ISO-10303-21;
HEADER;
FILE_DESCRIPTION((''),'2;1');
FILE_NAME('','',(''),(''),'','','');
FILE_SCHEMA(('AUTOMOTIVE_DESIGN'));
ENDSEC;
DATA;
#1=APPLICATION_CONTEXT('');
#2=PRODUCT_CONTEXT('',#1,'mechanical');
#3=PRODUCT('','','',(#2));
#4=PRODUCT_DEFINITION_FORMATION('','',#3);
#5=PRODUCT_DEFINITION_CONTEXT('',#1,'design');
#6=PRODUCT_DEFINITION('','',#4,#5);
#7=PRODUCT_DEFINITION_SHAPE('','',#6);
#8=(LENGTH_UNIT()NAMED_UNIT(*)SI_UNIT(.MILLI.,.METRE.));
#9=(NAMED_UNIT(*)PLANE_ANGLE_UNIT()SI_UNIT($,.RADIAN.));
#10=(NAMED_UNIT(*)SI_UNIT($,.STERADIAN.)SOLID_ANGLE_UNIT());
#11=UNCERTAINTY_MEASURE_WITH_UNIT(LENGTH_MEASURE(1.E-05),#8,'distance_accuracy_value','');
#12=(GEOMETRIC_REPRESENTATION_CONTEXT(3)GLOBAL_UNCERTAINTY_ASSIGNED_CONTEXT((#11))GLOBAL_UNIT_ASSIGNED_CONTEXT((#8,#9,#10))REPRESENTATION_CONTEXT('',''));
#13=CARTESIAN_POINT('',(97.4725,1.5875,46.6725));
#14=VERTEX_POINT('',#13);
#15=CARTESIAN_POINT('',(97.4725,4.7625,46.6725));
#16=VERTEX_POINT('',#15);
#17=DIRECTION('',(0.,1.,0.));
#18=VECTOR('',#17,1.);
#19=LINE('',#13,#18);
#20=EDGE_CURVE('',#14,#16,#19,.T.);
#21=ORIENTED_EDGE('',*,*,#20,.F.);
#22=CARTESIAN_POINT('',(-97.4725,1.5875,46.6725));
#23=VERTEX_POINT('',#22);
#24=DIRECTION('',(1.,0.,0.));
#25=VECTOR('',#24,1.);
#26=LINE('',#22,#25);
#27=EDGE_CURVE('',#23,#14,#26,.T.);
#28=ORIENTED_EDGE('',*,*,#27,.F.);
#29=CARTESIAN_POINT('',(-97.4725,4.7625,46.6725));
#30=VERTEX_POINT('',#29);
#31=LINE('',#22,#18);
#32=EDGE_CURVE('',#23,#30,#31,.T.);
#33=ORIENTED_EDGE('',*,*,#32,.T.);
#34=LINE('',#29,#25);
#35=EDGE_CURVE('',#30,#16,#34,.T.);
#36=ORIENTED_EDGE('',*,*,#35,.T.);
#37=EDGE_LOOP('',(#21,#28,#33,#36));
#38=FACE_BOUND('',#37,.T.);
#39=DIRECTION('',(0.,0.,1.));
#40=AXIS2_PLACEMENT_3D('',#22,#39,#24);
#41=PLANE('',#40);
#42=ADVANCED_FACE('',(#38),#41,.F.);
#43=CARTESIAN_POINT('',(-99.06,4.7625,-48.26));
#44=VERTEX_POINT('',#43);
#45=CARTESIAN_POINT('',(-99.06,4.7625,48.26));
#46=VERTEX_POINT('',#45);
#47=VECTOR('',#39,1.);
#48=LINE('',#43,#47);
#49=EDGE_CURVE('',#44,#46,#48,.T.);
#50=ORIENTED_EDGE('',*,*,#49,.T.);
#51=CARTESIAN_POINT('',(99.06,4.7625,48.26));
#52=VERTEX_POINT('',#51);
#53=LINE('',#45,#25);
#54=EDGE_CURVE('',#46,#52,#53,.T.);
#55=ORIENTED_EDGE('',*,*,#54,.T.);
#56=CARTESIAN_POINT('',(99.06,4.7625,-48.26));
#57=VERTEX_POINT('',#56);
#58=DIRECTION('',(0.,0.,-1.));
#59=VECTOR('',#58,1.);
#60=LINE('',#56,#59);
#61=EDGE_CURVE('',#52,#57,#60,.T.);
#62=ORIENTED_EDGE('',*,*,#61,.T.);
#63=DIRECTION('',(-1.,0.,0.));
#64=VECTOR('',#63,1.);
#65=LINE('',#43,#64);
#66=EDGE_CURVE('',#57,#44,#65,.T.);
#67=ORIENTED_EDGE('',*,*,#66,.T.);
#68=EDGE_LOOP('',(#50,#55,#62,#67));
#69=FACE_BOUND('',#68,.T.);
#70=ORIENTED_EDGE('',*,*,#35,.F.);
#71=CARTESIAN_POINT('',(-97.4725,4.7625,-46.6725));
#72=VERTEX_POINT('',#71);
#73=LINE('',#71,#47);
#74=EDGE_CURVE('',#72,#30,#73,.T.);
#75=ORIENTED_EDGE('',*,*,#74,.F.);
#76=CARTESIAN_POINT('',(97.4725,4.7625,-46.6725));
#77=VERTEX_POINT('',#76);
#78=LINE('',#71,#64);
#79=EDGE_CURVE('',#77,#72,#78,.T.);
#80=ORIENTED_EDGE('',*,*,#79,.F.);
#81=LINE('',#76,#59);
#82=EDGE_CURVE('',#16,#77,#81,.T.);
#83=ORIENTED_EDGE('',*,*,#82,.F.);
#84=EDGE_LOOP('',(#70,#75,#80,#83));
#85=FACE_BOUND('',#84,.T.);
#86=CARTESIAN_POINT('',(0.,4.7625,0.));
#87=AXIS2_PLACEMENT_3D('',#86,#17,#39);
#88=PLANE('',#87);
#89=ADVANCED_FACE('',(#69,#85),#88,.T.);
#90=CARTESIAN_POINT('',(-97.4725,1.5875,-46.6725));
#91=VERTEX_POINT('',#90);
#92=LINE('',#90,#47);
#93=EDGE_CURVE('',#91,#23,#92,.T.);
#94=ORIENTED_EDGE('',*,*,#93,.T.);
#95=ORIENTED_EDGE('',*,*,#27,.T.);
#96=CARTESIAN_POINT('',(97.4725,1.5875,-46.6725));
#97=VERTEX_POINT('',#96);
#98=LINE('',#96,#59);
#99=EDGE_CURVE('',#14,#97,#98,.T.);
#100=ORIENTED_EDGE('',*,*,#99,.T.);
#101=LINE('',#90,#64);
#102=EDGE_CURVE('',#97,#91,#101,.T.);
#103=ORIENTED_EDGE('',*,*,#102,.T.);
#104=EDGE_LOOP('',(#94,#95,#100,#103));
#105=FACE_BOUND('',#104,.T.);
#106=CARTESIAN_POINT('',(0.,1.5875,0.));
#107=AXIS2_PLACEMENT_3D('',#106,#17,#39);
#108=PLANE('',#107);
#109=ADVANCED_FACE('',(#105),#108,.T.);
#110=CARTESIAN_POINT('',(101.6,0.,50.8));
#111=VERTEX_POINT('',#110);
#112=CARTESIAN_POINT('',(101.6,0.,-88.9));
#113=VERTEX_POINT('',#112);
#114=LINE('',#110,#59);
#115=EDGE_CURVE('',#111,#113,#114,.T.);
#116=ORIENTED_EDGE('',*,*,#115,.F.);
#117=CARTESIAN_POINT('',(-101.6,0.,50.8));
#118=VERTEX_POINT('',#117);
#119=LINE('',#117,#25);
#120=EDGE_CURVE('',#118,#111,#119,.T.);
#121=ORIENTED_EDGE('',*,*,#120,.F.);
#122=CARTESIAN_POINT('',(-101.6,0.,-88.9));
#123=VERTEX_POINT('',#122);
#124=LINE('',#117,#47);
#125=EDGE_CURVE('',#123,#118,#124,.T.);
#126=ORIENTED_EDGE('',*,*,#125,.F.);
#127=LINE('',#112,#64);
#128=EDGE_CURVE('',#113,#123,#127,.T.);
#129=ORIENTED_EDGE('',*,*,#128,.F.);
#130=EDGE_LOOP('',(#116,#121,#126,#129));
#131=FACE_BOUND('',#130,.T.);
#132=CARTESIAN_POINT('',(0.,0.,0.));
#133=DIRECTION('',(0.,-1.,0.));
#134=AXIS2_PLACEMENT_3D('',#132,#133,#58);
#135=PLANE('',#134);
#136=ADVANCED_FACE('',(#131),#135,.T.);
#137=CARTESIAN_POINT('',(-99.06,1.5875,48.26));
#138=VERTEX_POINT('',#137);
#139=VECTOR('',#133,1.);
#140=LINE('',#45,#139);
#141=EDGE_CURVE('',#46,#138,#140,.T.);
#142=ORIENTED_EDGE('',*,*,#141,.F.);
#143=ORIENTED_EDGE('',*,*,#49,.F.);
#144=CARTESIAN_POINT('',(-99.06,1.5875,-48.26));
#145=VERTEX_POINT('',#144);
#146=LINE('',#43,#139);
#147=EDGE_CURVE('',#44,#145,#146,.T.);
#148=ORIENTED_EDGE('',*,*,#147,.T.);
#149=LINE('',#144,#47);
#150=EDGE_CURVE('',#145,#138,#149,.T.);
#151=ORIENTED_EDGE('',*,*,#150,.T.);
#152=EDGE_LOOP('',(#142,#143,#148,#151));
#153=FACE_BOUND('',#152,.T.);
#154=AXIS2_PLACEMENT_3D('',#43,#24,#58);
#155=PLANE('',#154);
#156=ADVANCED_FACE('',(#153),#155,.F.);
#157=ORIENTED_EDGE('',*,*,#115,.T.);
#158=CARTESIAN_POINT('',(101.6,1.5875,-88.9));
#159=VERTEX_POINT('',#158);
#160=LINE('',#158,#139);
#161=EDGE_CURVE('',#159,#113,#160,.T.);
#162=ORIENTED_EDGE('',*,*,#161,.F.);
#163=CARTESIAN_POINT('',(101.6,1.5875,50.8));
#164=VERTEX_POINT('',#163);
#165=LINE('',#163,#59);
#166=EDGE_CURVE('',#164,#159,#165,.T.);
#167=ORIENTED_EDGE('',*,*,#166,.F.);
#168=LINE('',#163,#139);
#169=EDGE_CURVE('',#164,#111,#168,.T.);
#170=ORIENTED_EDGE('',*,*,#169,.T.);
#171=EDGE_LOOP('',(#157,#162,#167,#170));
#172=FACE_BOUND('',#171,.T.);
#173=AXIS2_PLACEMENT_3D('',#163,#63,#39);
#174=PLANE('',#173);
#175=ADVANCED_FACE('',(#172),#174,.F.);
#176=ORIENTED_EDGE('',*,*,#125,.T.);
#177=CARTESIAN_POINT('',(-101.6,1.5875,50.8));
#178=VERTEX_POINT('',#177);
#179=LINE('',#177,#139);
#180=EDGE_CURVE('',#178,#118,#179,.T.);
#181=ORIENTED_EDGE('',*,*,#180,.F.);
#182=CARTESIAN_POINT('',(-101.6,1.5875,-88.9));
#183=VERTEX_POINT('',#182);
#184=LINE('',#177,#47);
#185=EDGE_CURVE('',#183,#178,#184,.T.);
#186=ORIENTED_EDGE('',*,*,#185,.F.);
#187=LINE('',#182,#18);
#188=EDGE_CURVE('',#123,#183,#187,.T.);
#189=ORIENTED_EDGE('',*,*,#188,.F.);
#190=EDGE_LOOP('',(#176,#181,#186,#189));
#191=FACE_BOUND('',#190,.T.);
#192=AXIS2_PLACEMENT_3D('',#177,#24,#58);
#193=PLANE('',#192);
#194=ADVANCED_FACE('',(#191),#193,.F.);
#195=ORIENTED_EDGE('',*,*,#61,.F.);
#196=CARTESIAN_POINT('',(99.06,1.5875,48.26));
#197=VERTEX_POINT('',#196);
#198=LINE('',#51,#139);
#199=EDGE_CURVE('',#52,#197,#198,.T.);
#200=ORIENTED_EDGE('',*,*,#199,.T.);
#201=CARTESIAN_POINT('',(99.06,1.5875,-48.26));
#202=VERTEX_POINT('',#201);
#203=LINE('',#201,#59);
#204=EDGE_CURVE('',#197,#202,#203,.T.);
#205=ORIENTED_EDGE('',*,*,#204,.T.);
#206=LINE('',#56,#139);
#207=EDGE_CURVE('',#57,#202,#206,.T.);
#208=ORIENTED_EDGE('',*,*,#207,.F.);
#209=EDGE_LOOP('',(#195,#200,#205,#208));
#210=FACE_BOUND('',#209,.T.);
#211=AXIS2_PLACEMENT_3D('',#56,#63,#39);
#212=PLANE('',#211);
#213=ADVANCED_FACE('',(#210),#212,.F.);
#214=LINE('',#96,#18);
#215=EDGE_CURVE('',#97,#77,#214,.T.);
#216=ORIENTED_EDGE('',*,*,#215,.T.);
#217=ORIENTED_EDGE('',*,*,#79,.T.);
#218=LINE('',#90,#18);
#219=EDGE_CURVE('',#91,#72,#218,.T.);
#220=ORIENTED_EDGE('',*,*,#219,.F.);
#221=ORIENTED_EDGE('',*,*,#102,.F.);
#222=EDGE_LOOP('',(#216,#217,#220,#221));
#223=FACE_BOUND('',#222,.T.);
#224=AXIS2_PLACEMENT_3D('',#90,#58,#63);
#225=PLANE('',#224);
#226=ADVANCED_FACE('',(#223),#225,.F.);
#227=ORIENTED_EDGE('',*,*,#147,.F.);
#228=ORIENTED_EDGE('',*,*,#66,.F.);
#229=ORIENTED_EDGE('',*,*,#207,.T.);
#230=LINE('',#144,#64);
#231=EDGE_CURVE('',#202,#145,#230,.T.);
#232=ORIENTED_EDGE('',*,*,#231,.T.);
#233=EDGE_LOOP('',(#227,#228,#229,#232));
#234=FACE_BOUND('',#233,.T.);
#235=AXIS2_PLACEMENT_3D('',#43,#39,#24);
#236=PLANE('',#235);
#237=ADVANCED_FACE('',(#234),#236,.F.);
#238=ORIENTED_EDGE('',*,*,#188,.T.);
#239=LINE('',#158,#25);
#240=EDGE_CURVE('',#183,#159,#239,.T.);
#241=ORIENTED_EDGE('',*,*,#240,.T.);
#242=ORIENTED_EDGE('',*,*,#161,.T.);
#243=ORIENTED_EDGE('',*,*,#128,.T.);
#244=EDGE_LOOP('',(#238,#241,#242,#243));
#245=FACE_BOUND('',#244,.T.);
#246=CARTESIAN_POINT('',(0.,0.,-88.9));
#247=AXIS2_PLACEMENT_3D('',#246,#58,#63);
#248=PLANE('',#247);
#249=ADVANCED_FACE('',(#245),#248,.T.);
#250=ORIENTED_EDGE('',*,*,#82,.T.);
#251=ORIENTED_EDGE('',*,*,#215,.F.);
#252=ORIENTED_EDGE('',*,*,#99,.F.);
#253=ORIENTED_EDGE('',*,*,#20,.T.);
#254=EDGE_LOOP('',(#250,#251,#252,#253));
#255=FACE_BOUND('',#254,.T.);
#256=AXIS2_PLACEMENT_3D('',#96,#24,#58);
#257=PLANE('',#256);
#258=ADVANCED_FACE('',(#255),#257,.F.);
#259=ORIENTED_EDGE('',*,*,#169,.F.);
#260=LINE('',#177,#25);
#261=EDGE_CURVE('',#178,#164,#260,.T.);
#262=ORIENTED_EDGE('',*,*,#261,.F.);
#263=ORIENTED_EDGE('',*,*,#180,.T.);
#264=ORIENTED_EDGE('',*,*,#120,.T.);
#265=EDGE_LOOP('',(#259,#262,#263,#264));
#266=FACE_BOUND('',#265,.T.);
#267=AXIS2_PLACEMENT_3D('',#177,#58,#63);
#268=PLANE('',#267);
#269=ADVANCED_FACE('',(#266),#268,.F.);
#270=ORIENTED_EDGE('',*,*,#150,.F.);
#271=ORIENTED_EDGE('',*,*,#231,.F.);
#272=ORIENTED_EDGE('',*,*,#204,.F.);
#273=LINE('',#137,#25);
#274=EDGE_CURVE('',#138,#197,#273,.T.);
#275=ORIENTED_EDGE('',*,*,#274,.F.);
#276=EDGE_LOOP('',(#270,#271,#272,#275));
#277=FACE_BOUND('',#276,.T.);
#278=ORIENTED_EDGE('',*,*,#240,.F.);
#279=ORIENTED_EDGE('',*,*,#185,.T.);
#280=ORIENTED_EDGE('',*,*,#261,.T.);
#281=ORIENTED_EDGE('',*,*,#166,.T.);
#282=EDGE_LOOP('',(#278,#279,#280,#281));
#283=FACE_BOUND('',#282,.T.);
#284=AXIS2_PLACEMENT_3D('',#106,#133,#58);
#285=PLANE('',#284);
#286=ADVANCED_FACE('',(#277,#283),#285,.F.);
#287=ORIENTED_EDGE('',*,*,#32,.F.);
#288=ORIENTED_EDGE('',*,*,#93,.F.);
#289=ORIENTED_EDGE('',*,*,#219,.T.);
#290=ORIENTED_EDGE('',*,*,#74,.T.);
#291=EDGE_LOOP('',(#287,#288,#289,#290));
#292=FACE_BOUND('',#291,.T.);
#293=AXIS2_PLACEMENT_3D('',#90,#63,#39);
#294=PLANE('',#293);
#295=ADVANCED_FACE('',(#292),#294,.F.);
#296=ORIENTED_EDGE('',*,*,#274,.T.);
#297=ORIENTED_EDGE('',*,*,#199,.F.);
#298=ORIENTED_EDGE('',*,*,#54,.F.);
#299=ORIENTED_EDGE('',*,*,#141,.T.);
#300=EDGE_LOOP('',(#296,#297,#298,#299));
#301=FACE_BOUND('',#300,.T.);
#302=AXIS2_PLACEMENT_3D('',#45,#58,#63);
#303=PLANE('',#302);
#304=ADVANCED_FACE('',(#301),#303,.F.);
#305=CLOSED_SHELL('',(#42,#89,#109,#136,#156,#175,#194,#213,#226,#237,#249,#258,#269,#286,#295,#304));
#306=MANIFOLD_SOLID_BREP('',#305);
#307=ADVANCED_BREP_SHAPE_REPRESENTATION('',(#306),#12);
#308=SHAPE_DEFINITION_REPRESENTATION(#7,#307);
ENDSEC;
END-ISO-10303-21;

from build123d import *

# Parameters (mm, degrees)
SKETCH1_W           = 203.2
SKETCH1_H           = 101.6
BOSS_EXTRUDE1_DEPTH = 1.5875
SKETCH2_W           = 198.12
SKETCH2_H           = 96.52
BOSS_EXTRUDE2_DEPTH = 3.175
SKETCH3_W           = 194.945
SKETCH3_H           = 93.345
CUT_EXTRUDE1_DEPTH  = 3.175
SKETCH5_W           = 203.2
SKETCH5_H           = 1.5875
BOSS_EXTRUDE3_DEPTH = 38.1


with BuildPart() as part:
    # Sketch1 → Boss-Extrude1 (new body)
    with BuildSketch(Plane(origin=(0, 0, 0), x_dir=(1, 0, 0), z_dir=(0, 1, 0))):
        Rectangle(SKETCH1_W, SKETCH1_H)
    extrude(amount=BOSS_EXTRUDE1_DEPTH)

    # Sketch2 → Boss-Extrude2 (add)
    with BuildSketch(Plane(origin=(0, 1.5875, 0), x_dir=(1, 0, 0), z_dir=(0, 1, 0))):
        Rectangle(SKETCH2_W, SKETCH2_H)
    extrude(amount=BOSS_EXTRUDE2_DEPTH)

    # Sketch3 → Cut-Extrude1 (cut)
    with BuildSketch(Plane(origin=(0, 4.7625, 0), x_dir=(1, 0, 0), z_dir=(0, 1, 0))):
        Rectangle(SKETCH3_W, SKETCH3_H)
    extrude(amount=-CUT_EXTRUDE1_DEPTH, mode=Mode.SUBTRACT)

    # Sketch5 → Boss-Extrude3 (add)
    with BuildSketch(Plane(origin=(0, 0, -50.8), x_dir=(-1, 0, 0), z_dir=(0, 0, -1))):
        with Locations((0, 0.79375)):
            Rectangle(SKETCH5_W, SKETCH5_H)
    extrude(amount=BOSS_EXTRUDE3_DEPTH)


solid = part.part
